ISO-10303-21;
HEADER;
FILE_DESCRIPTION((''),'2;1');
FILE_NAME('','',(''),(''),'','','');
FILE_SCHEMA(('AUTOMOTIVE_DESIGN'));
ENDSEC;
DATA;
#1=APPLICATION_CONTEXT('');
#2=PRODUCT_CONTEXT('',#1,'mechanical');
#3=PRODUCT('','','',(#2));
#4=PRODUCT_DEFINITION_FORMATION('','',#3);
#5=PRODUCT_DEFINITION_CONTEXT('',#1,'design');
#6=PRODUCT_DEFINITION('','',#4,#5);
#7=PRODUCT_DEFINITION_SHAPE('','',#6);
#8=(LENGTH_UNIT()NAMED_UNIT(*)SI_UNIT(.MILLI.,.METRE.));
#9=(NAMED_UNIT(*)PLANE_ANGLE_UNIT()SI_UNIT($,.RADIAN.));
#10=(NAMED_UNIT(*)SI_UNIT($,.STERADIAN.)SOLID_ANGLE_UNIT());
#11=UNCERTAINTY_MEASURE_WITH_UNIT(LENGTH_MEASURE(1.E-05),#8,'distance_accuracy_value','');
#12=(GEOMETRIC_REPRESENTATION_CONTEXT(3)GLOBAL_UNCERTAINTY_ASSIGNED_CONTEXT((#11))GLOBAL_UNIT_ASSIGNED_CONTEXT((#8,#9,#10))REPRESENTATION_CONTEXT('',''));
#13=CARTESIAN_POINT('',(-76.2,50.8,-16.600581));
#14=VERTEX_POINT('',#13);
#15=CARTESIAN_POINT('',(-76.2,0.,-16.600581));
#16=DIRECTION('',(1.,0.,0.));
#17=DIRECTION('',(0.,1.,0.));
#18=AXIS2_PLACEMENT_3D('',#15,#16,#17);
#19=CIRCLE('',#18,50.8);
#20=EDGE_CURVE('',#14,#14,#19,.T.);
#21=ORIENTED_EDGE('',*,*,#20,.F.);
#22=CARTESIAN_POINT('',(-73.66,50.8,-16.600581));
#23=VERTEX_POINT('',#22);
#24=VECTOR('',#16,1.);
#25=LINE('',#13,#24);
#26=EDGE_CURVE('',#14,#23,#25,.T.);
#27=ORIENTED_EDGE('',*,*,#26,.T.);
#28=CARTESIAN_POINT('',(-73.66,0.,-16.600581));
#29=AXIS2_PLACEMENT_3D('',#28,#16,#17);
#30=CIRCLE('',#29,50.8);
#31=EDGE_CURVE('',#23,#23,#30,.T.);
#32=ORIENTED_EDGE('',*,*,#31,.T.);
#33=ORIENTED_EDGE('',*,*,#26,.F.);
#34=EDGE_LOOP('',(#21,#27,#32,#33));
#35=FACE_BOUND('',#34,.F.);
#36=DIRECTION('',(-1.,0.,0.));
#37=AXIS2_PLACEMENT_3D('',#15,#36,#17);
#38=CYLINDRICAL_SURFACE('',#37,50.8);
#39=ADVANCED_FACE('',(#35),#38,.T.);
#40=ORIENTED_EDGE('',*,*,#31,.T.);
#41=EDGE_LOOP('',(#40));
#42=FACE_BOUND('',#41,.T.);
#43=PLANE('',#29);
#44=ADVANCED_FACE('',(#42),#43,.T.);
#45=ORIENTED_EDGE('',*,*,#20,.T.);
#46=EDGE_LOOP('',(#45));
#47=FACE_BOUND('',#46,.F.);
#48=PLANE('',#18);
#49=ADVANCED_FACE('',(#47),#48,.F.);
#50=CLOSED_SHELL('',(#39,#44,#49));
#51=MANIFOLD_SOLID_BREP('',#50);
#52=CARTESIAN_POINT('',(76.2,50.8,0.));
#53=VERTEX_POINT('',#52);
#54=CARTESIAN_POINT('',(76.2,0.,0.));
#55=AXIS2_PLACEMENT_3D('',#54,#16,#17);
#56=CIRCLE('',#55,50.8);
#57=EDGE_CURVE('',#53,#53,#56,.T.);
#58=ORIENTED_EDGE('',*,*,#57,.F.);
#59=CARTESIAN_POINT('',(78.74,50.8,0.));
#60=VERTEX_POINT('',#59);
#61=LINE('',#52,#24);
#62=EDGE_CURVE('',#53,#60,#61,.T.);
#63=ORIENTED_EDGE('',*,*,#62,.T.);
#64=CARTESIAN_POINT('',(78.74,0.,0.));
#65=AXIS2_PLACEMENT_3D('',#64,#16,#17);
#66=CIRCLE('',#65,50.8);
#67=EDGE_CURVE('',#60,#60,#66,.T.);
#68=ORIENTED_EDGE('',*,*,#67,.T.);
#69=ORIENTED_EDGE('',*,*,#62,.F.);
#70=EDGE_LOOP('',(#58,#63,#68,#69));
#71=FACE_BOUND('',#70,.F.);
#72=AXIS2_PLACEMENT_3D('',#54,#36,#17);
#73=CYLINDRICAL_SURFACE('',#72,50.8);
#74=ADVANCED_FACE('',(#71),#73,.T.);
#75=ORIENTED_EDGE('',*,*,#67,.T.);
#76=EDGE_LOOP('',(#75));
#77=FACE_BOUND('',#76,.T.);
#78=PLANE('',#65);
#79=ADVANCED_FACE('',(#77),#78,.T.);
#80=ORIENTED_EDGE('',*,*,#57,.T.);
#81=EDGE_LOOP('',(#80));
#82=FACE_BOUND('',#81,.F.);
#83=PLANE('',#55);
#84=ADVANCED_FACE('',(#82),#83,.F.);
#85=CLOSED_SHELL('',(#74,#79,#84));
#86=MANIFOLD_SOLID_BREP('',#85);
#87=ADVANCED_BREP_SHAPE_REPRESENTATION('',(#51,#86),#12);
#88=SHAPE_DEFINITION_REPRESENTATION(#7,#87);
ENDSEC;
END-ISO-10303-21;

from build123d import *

# Parameters (mm, degrees)
F4_R     = 50.8
F5_DEPTH = 2.54
F3_R     = 50.8


with BuildPart() as f5:
    # F4 (on offset) → F5 (new body)
    with BuildSketch(Plane.YZ.offset(76.2)):
        Circle(F4_R)
    extrude(amount=F5_DEPTH)


with BuildPart() as f5b:
    # F3 (on offset) → F5, piece 2 (new body)
    with BuildSketch(Plane.YZ.offset(-76.2)):
        with Locations((0, -16.6005805411)):
            Circle(F3_R)
    extrude(amount=F5_DEPTH)


solid = Compound([f5.part, f5b.part])
